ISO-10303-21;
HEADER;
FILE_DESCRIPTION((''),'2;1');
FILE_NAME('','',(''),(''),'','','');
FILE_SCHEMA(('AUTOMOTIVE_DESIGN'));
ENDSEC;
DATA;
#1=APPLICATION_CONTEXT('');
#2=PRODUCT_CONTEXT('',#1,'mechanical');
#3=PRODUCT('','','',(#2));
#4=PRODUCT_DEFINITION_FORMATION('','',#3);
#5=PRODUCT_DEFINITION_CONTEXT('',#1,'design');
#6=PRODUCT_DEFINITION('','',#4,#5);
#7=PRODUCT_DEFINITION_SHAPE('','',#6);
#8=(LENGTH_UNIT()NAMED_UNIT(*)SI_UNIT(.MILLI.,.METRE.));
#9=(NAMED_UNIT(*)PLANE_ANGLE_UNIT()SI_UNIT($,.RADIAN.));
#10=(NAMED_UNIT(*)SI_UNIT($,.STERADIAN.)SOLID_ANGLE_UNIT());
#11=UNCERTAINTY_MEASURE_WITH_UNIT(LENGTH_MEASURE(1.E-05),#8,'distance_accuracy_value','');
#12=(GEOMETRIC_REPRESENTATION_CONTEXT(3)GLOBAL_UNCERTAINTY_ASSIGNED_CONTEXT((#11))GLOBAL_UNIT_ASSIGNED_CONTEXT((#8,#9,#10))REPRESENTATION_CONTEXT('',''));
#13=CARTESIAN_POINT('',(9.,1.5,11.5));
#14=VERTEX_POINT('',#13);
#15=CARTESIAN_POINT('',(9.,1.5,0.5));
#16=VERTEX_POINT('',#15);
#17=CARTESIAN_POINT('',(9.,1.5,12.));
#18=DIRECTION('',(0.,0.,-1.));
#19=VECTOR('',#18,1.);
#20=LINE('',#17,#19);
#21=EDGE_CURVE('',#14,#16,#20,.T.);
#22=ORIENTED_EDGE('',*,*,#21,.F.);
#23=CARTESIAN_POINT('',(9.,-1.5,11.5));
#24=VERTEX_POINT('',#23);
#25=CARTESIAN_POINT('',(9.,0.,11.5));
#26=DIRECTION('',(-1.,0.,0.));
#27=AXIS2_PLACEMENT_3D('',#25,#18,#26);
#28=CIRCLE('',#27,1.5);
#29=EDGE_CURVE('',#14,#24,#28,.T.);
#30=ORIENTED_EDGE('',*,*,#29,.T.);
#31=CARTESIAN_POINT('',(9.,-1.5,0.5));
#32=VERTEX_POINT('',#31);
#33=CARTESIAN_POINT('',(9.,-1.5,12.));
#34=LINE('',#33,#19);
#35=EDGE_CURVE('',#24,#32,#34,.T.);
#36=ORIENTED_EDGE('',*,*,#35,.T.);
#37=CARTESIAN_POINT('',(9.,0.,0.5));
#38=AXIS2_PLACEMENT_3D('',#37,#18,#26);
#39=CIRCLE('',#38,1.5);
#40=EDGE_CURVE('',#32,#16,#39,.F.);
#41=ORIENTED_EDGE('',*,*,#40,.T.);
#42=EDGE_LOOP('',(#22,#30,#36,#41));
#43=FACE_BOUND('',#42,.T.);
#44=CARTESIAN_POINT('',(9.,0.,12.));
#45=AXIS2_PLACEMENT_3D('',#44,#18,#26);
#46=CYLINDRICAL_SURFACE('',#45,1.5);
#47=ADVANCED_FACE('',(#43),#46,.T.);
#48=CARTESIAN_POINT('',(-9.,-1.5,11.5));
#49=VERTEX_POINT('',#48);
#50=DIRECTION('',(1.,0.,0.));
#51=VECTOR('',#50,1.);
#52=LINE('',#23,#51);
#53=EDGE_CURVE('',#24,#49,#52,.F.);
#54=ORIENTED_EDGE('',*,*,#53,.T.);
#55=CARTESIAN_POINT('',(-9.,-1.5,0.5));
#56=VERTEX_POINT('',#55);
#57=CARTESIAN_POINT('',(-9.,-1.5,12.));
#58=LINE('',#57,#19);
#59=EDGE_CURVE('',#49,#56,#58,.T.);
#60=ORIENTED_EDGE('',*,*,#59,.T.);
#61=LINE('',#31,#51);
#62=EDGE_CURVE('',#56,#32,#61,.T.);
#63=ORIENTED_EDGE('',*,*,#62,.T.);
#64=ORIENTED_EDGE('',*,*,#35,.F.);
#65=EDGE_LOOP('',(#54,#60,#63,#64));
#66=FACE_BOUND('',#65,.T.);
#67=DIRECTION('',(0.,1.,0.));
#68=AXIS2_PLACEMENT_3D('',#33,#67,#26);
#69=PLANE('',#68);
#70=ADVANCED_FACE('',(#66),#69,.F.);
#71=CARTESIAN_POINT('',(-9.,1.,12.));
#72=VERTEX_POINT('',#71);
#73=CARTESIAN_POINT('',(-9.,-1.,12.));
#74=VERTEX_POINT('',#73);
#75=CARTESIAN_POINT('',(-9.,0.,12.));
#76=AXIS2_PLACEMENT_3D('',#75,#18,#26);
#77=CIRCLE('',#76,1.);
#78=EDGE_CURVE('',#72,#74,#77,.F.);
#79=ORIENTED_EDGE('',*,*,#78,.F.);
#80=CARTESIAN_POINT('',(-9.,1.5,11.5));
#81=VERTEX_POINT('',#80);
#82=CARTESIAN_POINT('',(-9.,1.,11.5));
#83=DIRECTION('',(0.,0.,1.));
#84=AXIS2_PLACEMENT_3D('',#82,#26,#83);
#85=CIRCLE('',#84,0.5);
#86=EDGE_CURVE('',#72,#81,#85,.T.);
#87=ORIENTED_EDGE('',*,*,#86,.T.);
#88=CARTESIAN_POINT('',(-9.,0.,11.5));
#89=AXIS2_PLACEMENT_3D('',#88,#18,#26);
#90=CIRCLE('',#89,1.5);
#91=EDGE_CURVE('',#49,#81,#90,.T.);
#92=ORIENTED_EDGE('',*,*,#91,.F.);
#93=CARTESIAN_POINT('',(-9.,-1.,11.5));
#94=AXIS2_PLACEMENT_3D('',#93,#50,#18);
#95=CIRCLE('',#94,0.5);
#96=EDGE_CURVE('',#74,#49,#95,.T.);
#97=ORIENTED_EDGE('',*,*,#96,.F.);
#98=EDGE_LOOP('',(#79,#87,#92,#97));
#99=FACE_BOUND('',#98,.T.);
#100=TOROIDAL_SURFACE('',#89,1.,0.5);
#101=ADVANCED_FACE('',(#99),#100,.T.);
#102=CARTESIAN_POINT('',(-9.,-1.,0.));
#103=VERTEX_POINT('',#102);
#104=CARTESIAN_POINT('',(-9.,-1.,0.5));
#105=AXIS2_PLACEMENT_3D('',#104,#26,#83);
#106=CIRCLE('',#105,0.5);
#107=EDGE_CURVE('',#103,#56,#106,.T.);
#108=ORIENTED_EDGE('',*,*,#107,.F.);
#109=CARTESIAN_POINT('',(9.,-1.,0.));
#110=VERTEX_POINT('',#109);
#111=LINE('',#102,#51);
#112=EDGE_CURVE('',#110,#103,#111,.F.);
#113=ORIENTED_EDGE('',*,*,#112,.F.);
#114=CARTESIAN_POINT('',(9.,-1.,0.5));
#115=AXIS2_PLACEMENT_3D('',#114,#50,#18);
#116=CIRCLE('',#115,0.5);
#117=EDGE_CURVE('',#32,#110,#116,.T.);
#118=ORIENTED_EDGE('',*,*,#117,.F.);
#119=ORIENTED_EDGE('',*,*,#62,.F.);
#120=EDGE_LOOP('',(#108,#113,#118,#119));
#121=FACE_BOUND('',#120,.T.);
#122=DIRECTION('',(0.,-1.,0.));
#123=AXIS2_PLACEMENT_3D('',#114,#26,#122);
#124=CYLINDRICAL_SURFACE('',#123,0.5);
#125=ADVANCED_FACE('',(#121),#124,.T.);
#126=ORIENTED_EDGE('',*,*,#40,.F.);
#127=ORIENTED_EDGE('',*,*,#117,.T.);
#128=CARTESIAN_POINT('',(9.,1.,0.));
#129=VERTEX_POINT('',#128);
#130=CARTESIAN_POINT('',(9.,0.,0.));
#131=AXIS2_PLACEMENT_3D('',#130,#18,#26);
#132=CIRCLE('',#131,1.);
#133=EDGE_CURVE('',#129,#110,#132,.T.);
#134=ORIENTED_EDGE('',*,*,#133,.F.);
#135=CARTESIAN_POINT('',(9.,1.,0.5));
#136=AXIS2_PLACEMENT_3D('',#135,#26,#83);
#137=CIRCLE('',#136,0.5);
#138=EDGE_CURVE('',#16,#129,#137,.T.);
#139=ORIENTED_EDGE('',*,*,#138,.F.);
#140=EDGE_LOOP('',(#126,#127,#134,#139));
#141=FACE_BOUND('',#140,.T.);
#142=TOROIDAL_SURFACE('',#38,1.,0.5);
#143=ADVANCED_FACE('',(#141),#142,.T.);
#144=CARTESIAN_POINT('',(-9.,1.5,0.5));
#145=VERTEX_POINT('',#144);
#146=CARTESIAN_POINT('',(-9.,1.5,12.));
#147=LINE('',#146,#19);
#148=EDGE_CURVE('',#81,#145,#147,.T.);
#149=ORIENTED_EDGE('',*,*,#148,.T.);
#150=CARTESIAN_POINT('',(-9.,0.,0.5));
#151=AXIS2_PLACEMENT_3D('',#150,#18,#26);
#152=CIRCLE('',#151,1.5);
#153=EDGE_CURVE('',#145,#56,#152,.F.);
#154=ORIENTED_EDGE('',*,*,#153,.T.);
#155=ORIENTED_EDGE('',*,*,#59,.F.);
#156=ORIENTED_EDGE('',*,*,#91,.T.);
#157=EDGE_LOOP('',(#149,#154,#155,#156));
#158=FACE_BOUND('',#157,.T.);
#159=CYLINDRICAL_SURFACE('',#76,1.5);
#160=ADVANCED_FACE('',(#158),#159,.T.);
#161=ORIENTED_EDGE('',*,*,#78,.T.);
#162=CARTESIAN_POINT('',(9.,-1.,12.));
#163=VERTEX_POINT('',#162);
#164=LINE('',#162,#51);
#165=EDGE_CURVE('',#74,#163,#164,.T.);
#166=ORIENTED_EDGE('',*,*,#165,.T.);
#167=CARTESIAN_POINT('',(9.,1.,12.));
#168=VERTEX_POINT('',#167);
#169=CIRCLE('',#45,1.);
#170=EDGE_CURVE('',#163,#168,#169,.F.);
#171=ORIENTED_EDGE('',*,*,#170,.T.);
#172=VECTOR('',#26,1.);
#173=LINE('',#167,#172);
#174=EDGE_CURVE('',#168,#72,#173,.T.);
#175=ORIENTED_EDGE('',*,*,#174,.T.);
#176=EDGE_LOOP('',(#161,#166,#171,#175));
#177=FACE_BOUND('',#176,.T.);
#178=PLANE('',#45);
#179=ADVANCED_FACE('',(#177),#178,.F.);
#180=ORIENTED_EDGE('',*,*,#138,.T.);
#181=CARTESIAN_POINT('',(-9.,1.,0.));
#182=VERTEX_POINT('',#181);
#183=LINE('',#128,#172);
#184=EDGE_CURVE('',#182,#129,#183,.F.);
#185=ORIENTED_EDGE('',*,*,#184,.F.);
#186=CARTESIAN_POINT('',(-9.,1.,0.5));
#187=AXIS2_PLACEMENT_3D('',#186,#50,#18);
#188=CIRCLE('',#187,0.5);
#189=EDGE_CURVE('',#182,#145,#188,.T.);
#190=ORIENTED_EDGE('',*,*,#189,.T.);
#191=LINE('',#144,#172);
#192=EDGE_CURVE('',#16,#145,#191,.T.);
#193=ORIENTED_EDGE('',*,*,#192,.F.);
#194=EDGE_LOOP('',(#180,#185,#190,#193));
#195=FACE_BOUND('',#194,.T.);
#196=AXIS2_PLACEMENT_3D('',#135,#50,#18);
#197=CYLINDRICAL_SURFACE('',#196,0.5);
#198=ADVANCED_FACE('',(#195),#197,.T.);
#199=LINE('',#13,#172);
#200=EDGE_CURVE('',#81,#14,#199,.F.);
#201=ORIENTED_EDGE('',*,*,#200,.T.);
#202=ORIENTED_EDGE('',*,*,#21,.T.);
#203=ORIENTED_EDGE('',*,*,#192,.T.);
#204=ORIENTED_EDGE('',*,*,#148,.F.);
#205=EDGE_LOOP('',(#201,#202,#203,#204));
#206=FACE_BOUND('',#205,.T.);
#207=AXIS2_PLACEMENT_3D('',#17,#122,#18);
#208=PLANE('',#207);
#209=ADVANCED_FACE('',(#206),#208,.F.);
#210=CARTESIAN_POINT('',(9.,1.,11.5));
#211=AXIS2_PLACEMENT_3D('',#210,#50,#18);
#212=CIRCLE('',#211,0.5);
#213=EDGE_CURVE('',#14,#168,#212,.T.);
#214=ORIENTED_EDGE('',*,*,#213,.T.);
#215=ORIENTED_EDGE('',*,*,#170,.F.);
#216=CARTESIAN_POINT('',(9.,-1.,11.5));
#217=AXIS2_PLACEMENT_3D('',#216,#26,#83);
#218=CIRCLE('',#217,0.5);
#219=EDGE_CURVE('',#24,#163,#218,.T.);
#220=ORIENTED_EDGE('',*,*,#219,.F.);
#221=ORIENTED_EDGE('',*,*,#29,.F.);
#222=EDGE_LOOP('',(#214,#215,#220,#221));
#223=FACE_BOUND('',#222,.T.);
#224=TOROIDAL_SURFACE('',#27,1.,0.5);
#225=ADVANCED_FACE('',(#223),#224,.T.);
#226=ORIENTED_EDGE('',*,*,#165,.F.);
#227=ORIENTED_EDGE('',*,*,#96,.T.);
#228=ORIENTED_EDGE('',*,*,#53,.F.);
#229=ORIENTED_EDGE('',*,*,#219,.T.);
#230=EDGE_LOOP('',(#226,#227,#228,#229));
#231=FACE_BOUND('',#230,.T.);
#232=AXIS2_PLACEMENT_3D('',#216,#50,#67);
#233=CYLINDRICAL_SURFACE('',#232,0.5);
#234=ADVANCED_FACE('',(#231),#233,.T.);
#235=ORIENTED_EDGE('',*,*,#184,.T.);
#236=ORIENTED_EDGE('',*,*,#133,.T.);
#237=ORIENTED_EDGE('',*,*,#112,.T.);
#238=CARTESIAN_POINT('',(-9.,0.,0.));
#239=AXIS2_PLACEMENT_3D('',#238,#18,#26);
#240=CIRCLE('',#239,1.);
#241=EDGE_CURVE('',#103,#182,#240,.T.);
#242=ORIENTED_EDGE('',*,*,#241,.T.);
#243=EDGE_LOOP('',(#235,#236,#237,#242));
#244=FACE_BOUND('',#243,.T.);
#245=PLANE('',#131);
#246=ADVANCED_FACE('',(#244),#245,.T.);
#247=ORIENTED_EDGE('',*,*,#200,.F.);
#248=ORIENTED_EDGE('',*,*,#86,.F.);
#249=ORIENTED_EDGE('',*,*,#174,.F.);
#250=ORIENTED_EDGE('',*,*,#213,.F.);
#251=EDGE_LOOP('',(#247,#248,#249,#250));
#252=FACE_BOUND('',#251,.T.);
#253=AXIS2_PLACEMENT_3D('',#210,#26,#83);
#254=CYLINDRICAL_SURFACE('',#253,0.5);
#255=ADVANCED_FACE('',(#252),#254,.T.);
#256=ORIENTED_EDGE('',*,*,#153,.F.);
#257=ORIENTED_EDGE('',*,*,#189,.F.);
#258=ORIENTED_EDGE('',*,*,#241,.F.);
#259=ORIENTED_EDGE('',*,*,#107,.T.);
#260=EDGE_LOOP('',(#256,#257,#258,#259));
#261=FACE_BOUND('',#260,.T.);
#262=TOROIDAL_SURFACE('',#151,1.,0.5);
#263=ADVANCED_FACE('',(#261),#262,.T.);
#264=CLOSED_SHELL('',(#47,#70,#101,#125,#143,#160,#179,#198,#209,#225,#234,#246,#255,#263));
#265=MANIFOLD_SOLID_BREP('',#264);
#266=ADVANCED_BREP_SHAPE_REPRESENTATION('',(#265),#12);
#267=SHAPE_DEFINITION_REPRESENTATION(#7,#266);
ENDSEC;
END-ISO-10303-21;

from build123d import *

# Parameters (mm, degrees)
RESSALTO_EXTRUS_O1_DEPTH = 12
FILETE1_R                = 0.5


with BuildPart() as part:
    # Esboço1 → Ressalto-extrusão1 (new body)
    with BuildSketch(Plane.XY):
        with BuildLine():
            Line((9, 1.5), (-9, 1.5))
            ThreePointArc((-9, 1.5), (-10.5, 0), (-9, -1.5))
            Line((-9, -1.5), (9, -1.5))
            ThreePointArc((9, -1.5), (10.5, 0), (9, 1.5))
        make_face()
    extrude(amount=RESSALTO_EXTRUS_O1_DEPTH)

    # Filete1
    filete1_edges = [part.edges().sort_by_distance(p)[0] for p in [
        (-10.5, 0, 12),
        (0, -1.5, 12),
        (10.5, 0, 12),
        (0, -1.5, 0),
        (-10.5, 0, 0),
        (0, 1.5, 0),
        (10.5, 0, 0),
        (0, 1.5, 12),
    ]]
    fillet(filete1_edges, radius=FILETE1_R)


solid = part.part
